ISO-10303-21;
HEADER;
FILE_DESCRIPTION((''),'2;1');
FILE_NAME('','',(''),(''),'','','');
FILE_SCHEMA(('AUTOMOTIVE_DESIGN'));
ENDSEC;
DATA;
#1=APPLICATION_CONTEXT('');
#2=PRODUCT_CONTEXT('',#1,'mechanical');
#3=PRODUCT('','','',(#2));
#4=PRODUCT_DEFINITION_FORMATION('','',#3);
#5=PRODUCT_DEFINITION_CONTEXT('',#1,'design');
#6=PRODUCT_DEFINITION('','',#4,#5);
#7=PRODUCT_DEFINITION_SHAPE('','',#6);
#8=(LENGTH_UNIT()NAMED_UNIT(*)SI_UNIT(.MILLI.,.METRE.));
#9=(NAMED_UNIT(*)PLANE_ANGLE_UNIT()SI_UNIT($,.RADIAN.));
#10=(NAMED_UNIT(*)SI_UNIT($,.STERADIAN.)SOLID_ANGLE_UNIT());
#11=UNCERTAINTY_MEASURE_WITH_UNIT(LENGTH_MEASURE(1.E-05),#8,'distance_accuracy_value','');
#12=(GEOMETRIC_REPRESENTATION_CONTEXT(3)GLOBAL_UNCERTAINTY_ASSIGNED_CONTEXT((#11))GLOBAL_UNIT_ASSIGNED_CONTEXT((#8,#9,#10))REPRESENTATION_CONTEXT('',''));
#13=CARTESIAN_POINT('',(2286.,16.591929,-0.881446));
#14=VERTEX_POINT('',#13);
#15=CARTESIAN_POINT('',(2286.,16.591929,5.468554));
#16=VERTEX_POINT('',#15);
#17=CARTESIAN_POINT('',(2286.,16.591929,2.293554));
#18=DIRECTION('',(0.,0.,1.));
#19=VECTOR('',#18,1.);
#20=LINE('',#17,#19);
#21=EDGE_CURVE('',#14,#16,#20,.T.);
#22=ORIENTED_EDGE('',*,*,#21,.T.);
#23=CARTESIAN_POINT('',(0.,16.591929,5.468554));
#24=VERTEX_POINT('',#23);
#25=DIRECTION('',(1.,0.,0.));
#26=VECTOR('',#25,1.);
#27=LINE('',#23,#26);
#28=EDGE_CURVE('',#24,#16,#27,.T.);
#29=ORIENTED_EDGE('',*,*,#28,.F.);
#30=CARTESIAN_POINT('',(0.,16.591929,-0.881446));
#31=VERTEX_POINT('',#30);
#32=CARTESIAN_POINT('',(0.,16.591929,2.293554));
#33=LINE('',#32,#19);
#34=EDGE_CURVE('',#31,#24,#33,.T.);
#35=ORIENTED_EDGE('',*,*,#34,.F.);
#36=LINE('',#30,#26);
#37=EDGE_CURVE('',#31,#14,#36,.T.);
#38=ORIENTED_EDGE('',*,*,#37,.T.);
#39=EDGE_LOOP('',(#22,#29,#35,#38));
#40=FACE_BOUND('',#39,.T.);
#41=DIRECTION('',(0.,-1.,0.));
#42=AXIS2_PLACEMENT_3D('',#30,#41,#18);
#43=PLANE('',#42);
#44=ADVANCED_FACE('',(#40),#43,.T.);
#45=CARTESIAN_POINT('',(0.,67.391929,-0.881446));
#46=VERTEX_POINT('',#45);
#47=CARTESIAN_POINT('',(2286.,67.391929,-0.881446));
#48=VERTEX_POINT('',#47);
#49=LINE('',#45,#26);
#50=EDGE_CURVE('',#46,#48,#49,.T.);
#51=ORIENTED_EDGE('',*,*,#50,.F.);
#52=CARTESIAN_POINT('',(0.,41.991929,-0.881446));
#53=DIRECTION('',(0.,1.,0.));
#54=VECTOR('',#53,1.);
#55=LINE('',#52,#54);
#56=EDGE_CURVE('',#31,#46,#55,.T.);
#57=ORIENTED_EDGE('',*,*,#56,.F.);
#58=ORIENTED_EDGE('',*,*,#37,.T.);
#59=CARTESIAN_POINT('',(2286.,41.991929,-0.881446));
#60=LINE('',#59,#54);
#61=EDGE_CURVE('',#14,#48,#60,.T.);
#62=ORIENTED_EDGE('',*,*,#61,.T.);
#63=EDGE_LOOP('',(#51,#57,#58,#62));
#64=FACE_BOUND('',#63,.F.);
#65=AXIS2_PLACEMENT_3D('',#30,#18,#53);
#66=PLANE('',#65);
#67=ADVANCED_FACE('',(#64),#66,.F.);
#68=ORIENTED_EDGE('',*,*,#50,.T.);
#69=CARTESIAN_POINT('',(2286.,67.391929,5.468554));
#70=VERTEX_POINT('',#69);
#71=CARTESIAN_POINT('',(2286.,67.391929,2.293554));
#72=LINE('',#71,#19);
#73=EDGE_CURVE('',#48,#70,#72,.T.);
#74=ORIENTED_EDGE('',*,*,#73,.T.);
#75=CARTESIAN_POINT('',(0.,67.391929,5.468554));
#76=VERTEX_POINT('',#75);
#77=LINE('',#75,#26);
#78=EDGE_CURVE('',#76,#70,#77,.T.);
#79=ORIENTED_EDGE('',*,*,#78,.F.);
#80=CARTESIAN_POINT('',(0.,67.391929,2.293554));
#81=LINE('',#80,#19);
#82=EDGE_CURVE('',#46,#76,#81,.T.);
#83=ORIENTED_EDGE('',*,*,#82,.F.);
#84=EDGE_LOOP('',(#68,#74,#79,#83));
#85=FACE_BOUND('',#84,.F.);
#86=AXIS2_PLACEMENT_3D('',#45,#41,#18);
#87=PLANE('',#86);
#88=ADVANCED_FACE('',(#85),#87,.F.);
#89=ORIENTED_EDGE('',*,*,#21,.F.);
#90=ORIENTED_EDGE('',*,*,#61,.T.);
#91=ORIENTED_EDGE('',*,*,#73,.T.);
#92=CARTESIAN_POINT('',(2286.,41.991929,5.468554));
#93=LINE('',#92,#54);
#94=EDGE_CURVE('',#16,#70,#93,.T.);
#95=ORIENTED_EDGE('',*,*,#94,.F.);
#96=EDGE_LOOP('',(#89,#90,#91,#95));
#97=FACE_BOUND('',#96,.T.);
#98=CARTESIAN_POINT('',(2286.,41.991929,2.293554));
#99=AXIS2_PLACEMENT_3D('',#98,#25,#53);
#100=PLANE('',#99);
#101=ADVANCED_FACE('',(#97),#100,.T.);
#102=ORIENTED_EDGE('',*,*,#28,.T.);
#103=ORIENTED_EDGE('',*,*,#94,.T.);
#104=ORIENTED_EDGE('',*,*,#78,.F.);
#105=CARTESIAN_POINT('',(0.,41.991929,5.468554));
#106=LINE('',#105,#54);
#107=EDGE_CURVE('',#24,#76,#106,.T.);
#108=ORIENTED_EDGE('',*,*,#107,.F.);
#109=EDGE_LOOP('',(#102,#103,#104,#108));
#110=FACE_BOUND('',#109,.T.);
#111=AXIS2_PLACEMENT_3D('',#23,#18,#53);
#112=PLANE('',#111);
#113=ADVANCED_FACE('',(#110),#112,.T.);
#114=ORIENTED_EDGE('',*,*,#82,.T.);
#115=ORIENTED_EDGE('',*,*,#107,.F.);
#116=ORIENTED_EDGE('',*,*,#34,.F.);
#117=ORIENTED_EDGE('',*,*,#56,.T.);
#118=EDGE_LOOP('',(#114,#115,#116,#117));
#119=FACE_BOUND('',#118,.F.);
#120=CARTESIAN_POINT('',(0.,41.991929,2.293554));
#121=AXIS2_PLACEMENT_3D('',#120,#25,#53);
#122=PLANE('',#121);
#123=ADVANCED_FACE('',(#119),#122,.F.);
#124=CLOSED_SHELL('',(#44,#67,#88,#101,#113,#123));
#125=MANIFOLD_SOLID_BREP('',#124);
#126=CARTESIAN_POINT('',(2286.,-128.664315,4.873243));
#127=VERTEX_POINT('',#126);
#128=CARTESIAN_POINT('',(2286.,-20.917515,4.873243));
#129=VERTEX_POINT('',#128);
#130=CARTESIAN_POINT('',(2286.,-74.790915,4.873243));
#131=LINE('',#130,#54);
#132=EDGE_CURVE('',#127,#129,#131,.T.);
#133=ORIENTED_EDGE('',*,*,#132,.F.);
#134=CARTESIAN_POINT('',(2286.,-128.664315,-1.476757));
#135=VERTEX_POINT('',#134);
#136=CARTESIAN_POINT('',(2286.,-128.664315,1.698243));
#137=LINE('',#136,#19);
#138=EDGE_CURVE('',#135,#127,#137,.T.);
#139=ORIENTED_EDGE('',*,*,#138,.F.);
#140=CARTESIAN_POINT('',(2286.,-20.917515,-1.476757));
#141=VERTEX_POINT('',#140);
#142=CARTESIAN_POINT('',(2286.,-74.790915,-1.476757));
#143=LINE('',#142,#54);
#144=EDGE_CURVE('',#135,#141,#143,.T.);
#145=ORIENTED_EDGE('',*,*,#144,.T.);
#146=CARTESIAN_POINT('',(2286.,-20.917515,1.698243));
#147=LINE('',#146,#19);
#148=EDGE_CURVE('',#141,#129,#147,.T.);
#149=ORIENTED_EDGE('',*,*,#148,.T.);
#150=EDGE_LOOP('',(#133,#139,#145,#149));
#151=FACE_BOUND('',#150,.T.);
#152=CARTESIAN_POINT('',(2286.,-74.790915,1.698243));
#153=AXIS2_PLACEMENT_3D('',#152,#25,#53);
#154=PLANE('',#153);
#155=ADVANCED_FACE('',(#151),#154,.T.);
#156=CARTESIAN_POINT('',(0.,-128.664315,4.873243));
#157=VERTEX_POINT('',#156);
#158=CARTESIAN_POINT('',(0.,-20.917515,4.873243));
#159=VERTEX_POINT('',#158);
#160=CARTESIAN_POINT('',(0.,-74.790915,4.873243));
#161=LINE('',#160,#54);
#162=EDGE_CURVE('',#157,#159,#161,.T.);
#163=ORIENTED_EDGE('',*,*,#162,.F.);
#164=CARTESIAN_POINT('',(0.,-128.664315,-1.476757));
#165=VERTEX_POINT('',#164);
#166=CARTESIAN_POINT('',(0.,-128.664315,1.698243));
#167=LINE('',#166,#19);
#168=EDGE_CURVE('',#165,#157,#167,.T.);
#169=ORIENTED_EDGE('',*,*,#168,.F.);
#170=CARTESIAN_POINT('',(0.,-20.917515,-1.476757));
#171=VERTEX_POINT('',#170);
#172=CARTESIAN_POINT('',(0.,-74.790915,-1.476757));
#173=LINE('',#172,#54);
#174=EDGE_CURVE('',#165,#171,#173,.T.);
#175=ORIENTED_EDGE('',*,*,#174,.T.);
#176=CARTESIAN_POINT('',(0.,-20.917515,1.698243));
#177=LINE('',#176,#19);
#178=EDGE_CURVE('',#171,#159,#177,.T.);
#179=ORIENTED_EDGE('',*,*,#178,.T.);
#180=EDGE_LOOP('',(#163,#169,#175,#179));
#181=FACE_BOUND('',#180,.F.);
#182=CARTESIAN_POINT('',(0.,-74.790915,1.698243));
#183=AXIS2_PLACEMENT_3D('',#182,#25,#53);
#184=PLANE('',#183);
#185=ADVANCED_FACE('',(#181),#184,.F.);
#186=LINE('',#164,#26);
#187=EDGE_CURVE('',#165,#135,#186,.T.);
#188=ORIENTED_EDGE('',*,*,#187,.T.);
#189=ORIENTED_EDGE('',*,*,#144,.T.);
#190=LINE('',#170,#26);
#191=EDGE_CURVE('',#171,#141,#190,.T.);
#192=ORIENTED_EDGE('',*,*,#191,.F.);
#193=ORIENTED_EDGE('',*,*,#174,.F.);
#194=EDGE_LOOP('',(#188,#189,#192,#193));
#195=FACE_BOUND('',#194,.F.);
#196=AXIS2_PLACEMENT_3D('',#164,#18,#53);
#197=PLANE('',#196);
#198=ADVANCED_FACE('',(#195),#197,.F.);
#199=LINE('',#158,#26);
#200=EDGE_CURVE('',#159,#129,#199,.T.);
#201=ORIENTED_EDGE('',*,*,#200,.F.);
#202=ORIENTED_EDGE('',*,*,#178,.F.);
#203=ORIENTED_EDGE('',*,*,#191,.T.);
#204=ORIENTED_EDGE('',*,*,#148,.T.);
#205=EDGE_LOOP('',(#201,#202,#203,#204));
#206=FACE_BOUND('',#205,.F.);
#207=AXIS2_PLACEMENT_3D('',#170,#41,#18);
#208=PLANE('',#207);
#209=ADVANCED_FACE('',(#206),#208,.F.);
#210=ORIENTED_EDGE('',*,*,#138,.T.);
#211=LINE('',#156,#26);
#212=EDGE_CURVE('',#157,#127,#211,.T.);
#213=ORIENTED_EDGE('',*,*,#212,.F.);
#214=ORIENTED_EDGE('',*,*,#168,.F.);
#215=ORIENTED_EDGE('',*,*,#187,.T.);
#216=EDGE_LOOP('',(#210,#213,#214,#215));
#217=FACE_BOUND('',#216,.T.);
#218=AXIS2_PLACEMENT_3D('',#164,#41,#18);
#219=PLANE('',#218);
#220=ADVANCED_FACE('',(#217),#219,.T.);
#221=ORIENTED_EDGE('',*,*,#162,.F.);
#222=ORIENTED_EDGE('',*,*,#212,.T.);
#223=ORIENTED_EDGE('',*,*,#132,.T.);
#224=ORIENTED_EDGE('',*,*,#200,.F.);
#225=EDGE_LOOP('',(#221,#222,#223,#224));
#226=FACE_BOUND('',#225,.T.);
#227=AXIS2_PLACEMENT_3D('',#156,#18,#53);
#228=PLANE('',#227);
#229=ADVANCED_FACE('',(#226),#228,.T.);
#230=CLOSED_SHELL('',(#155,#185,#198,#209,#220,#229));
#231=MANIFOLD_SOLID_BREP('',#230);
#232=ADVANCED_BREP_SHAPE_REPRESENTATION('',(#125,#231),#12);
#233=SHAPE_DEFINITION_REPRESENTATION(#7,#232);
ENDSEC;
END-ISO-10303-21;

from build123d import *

# Parameters (mm, degrees)
F0_W     = 107.7468
F0_H     = 6.35
F1_DEPTH = 2286
F0_W_2   = 50.8
F2_DEPTH = 2286


with BuildPart() as f1:
    # F0 (on Right) → F1 (new body)
    with BuildSketch(Plane.YZ):
        with Locations((-74.790915, 1.698243)):
            Rectangle(F0_W, F0_H)
    extrude(amount=F1_DEPTH)


with BuildPart() as f2:
    # F0 (on Right) → F2 (new body)
    with BuildSketch(Plane.YZ):
        with Locations((41.991929, 2.293554)):
            Rectangle(F0_W_2, F0_H)
    extrude(amount=F2_DEPTH)


solid = Compound([f1.part, f2.part])
